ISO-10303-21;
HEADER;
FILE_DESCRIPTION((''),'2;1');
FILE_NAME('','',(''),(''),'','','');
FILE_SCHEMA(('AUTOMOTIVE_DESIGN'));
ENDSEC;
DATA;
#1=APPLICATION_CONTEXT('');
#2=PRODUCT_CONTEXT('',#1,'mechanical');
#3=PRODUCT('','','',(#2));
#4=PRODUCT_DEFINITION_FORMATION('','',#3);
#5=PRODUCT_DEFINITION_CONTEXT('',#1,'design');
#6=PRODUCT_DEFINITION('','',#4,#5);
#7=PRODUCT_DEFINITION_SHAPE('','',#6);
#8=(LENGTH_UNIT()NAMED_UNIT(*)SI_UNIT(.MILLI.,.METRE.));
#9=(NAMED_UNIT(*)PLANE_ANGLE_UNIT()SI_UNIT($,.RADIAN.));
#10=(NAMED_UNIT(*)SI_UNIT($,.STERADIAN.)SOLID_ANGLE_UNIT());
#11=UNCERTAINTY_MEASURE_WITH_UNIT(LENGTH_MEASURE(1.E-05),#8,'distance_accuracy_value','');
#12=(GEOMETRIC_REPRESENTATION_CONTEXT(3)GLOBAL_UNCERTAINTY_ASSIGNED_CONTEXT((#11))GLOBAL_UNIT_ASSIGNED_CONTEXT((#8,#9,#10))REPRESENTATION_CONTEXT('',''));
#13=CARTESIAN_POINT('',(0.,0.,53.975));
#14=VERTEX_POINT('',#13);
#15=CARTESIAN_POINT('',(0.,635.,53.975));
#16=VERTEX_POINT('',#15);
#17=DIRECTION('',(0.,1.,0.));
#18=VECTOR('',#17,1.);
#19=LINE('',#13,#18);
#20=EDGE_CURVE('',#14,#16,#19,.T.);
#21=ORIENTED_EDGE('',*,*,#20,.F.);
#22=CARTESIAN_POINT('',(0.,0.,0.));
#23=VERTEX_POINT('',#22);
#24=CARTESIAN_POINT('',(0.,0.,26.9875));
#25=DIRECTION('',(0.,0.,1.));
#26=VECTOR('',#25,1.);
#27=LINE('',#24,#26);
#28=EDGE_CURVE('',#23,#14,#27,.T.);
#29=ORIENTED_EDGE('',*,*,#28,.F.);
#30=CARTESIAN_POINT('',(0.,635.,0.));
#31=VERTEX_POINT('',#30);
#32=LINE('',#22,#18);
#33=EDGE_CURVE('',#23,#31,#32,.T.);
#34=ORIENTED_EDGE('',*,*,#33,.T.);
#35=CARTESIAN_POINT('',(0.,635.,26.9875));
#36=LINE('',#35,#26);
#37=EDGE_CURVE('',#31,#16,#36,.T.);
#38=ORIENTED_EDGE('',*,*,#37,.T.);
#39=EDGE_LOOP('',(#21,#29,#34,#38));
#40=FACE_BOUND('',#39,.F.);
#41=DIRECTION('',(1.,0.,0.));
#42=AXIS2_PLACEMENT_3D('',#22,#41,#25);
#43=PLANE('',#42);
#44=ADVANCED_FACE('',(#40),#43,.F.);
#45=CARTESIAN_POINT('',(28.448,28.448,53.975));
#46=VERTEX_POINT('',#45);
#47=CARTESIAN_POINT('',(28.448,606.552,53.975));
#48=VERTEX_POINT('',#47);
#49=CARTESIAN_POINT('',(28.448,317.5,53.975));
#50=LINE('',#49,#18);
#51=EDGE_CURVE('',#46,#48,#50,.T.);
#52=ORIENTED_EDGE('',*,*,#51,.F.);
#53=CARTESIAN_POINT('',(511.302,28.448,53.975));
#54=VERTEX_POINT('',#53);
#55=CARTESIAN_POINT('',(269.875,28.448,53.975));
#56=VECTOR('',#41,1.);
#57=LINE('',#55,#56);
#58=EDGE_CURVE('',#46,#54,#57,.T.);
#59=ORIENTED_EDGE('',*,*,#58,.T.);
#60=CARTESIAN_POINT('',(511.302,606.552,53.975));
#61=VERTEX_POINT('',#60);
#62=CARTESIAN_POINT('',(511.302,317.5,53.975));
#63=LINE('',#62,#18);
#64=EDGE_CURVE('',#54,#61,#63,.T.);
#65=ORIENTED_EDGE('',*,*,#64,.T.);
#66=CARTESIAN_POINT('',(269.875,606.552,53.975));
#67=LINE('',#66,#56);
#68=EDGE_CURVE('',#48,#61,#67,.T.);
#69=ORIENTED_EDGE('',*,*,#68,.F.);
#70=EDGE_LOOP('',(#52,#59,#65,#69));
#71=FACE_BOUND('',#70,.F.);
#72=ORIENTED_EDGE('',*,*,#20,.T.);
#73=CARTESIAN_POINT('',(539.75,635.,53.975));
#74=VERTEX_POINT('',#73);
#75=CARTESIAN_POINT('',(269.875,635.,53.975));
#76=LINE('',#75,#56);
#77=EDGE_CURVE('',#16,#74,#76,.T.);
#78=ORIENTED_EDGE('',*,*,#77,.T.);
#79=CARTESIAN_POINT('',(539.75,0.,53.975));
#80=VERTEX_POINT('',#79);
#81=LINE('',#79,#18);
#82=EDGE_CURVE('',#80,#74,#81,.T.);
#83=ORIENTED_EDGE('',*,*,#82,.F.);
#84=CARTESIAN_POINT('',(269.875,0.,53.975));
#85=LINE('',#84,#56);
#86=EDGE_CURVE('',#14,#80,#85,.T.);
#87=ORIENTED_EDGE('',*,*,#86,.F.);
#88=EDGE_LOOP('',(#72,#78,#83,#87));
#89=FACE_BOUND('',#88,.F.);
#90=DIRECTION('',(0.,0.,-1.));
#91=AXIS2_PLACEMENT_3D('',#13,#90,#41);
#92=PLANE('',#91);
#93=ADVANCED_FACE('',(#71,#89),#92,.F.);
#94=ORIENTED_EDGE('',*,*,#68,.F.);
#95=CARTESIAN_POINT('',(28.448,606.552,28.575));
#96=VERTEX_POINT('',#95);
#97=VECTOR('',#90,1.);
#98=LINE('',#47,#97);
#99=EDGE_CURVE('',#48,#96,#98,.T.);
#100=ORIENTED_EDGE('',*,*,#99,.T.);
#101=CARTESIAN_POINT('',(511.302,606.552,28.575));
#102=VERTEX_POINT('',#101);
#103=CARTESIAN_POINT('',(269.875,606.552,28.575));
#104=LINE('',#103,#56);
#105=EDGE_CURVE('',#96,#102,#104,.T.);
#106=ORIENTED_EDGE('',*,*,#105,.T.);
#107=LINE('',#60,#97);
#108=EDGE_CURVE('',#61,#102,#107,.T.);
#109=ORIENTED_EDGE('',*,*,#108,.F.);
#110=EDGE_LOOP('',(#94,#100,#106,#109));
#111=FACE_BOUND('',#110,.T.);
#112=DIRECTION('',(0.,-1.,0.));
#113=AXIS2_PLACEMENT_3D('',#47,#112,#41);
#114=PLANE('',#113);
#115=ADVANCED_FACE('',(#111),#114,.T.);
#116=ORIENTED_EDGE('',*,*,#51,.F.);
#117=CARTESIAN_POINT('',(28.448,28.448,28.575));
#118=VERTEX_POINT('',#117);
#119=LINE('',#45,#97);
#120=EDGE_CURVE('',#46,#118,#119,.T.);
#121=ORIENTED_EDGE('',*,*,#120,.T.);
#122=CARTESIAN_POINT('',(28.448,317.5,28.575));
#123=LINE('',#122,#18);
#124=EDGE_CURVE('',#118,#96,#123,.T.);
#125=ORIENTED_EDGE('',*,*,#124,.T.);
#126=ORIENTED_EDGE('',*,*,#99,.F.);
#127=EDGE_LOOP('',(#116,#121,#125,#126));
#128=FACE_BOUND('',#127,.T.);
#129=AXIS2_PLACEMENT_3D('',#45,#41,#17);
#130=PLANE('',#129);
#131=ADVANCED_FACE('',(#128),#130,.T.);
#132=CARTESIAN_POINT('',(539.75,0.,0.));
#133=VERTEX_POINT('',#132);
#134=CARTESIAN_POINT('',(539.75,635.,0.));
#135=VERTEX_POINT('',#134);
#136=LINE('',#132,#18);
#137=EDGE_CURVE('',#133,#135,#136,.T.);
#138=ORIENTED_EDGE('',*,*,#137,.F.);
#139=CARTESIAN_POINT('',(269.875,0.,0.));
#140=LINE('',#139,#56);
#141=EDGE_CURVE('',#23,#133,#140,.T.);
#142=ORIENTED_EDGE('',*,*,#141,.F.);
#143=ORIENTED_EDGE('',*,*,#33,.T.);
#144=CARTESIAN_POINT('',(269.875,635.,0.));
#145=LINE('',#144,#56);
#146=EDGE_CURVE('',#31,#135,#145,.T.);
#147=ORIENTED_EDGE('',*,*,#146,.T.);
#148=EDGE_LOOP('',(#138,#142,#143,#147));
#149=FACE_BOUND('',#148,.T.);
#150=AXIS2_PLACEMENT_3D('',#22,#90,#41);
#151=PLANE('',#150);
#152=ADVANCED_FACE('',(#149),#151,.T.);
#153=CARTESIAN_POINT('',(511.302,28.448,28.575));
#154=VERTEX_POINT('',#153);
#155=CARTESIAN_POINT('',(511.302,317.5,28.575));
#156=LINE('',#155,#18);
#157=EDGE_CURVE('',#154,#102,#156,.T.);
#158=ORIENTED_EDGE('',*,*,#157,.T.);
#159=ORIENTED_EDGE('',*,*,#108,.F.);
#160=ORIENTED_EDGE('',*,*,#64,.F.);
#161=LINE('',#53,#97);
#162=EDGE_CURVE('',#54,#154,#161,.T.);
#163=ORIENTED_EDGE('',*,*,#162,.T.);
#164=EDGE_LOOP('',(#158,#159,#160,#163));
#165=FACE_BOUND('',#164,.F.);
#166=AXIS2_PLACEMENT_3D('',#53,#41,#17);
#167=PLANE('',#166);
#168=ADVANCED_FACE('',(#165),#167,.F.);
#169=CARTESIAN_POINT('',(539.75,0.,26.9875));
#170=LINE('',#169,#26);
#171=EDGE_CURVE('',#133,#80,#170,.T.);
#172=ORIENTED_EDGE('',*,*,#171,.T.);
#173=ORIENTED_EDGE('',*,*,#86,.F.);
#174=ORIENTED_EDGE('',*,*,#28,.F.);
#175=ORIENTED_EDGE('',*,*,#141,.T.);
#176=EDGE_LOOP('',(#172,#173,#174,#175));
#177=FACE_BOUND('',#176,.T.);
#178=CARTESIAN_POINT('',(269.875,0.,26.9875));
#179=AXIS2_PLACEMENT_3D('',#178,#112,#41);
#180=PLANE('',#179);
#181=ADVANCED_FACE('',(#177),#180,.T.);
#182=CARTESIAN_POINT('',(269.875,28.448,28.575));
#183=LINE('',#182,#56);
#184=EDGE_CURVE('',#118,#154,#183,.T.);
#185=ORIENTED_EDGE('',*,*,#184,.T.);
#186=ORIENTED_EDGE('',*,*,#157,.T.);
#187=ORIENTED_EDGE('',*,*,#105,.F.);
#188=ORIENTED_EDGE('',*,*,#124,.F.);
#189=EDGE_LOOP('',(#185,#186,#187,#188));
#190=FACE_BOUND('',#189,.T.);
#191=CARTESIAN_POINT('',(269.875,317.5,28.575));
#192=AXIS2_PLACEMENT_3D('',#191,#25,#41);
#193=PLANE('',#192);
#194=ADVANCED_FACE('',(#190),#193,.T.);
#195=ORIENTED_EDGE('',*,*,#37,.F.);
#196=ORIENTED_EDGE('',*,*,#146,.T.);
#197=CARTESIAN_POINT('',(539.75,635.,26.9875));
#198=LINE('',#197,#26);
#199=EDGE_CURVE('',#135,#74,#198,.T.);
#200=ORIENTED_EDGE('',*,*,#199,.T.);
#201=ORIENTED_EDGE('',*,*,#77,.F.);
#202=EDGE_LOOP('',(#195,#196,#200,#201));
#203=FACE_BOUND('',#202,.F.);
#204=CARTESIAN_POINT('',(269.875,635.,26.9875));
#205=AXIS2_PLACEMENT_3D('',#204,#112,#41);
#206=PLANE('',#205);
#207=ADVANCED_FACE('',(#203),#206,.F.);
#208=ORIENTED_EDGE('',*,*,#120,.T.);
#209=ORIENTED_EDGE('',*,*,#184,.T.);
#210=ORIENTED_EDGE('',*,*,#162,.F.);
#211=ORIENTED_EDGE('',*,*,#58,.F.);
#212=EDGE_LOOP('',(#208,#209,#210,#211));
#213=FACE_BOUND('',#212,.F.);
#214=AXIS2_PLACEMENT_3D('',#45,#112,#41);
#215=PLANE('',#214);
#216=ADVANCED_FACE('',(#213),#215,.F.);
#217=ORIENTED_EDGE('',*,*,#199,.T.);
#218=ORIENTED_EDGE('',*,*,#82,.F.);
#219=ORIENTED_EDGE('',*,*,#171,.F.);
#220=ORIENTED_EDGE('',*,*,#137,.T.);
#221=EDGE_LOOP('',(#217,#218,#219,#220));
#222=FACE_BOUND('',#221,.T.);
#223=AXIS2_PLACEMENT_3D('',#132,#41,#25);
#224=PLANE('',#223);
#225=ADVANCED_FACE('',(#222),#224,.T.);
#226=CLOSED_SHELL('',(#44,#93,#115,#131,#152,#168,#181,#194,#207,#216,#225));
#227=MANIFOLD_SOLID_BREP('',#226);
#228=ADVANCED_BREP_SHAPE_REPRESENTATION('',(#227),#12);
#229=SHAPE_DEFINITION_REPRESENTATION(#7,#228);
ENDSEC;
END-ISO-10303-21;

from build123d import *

# Parameters (mm, degrees)
F0_W      = 539.75
F0_H      = 53.975
F1_DEPTH  = 635
F2_W      = 482.854
F2_H      = 578.104
F3_DEPTH  = 25.4
F1_FACE_W = 539.75
F1_FACE_H = 635
F5_DEPTH  = 28.575


with BuildPart() as f1:
    # F0 (on Front) → F1 (new body)
    with BuildSketch(Plane.XZ):
        with Locations((269.875, 26.9875)):
            Rectangle(F0_W, F0_H)
    extrude(amount=-F1_DEPTH)

    # F2 (on face) → F3 (cut)
    with BuildSketch(Plane.XY.offset(53.975)):
        with Locations((269.875, 317.5)):
            Rectangle(F2_W, F2_H)
    extrude(amount=-F3_DEPTH, mode=Mode.SUBTRACT)


with BuildPart() as f5:
    # F1_face (on face) → F5 (new body)
    with BuildSketch(Plane(origin=(269.875, 317.5, 53.975), x_dir=(1, 0, 0), z_dir=(0, 0, 1))):
        Rectangle(F1_FACE_W, F1_FACE_H)
    extrude(amount=F5_DEPTH)


solid = f1.part
